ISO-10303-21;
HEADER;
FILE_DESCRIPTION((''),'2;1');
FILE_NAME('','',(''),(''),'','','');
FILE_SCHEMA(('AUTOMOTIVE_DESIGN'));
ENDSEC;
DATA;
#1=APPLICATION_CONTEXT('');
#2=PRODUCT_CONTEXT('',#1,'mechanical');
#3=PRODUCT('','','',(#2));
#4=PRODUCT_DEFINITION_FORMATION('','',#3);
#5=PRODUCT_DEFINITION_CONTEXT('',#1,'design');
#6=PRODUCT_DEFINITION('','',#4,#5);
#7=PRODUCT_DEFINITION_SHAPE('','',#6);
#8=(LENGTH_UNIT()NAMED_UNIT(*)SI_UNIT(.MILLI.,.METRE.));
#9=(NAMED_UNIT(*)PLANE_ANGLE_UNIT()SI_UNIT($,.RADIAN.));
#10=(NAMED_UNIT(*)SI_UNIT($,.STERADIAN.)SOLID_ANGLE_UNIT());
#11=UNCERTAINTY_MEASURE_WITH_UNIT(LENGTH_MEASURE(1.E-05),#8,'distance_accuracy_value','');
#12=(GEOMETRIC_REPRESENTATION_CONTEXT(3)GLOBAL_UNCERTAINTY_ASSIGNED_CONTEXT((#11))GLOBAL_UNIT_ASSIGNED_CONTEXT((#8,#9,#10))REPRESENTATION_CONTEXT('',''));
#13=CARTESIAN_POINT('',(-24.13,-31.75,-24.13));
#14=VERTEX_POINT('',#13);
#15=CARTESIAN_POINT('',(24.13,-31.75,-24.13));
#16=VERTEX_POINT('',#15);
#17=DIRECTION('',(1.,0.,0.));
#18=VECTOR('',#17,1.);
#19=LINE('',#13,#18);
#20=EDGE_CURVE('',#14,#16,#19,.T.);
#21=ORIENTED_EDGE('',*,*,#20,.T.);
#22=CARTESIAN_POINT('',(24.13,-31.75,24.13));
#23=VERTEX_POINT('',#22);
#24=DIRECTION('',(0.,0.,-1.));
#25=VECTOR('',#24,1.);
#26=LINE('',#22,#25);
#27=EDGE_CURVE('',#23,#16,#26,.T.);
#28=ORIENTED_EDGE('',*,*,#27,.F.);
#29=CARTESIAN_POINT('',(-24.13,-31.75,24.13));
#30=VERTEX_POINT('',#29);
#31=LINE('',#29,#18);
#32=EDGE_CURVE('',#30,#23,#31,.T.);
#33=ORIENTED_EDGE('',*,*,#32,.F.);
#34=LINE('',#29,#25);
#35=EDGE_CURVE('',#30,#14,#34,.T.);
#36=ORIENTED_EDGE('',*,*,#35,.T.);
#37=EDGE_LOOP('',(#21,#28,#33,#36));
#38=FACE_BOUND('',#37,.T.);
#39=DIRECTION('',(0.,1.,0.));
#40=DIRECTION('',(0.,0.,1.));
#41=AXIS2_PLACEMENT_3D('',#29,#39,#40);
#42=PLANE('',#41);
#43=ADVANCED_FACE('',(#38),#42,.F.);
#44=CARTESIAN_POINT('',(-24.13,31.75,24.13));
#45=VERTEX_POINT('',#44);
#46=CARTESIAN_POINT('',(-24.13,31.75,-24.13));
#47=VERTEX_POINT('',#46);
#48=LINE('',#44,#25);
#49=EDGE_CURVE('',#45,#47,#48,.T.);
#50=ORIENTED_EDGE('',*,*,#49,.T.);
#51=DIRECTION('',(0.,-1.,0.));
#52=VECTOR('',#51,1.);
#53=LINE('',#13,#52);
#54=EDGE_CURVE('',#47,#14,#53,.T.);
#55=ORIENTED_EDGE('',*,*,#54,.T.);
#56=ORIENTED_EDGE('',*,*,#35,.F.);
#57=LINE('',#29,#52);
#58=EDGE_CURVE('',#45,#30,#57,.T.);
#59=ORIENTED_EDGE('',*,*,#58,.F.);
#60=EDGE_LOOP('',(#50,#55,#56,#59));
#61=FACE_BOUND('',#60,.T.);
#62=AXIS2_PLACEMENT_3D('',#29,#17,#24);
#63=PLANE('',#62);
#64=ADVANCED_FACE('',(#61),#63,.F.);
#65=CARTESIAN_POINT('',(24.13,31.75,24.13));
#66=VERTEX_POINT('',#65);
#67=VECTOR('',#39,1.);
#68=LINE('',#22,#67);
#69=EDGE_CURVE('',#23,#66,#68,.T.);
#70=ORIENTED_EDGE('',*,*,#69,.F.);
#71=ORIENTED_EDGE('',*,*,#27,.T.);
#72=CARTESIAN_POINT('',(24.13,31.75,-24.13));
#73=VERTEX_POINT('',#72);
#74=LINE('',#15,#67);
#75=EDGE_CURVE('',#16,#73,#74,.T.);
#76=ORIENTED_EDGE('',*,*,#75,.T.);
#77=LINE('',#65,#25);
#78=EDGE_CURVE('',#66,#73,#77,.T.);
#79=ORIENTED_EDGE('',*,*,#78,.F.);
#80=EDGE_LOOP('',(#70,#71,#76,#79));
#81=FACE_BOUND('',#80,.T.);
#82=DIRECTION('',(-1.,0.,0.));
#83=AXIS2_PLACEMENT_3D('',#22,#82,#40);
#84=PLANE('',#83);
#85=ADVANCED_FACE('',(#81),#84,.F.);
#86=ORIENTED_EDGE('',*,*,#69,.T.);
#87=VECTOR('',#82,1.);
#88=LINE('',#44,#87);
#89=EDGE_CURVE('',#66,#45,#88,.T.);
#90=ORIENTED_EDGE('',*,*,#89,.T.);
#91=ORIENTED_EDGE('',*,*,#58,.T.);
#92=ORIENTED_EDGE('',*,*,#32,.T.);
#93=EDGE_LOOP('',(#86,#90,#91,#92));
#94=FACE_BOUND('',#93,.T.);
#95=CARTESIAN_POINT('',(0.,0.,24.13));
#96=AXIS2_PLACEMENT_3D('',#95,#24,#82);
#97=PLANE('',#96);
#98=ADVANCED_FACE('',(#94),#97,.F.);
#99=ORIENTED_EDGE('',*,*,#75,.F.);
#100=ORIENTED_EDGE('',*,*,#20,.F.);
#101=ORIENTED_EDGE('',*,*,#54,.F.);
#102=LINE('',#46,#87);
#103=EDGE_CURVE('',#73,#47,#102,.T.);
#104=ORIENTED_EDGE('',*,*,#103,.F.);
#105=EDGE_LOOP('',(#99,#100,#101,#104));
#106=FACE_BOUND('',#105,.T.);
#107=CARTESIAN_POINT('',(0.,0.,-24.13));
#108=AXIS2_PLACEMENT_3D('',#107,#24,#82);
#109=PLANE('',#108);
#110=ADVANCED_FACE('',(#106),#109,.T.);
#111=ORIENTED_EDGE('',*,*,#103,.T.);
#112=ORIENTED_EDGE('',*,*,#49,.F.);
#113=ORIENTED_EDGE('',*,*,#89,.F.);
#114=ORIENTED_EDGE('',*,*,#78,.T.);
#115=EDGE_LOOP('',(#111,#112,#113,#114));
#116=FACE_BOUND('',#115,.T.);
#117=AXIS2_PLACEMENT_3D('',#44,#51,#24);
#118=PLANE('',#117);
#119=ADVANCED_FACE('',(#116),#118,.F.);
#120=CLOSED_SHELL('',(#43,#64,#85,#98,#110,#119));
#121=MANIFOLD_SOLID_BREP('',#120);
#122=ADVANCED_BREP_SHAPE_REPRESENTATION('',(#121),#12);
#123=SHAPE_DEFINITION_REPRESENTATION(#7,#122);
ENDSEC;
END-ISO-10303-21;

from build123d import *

# Parameters (mm, degrees)
SKETCH1_W           = 48.26
SKETCH1_H           = 63.5
BOSS_EXTRUDE1_DEPTH = 24.13


with BuildPart() as part:
    # Sketch1 → Boss-Extrude1 (new, symmetric)
    with BuildSketch(Plane.XY):
        Rectangle(SKETCH1_W, SKETCH1_H)
    extrude(amount=BOSS_EXTRUDE1_DEPTH, both=True)


solid = part.part
